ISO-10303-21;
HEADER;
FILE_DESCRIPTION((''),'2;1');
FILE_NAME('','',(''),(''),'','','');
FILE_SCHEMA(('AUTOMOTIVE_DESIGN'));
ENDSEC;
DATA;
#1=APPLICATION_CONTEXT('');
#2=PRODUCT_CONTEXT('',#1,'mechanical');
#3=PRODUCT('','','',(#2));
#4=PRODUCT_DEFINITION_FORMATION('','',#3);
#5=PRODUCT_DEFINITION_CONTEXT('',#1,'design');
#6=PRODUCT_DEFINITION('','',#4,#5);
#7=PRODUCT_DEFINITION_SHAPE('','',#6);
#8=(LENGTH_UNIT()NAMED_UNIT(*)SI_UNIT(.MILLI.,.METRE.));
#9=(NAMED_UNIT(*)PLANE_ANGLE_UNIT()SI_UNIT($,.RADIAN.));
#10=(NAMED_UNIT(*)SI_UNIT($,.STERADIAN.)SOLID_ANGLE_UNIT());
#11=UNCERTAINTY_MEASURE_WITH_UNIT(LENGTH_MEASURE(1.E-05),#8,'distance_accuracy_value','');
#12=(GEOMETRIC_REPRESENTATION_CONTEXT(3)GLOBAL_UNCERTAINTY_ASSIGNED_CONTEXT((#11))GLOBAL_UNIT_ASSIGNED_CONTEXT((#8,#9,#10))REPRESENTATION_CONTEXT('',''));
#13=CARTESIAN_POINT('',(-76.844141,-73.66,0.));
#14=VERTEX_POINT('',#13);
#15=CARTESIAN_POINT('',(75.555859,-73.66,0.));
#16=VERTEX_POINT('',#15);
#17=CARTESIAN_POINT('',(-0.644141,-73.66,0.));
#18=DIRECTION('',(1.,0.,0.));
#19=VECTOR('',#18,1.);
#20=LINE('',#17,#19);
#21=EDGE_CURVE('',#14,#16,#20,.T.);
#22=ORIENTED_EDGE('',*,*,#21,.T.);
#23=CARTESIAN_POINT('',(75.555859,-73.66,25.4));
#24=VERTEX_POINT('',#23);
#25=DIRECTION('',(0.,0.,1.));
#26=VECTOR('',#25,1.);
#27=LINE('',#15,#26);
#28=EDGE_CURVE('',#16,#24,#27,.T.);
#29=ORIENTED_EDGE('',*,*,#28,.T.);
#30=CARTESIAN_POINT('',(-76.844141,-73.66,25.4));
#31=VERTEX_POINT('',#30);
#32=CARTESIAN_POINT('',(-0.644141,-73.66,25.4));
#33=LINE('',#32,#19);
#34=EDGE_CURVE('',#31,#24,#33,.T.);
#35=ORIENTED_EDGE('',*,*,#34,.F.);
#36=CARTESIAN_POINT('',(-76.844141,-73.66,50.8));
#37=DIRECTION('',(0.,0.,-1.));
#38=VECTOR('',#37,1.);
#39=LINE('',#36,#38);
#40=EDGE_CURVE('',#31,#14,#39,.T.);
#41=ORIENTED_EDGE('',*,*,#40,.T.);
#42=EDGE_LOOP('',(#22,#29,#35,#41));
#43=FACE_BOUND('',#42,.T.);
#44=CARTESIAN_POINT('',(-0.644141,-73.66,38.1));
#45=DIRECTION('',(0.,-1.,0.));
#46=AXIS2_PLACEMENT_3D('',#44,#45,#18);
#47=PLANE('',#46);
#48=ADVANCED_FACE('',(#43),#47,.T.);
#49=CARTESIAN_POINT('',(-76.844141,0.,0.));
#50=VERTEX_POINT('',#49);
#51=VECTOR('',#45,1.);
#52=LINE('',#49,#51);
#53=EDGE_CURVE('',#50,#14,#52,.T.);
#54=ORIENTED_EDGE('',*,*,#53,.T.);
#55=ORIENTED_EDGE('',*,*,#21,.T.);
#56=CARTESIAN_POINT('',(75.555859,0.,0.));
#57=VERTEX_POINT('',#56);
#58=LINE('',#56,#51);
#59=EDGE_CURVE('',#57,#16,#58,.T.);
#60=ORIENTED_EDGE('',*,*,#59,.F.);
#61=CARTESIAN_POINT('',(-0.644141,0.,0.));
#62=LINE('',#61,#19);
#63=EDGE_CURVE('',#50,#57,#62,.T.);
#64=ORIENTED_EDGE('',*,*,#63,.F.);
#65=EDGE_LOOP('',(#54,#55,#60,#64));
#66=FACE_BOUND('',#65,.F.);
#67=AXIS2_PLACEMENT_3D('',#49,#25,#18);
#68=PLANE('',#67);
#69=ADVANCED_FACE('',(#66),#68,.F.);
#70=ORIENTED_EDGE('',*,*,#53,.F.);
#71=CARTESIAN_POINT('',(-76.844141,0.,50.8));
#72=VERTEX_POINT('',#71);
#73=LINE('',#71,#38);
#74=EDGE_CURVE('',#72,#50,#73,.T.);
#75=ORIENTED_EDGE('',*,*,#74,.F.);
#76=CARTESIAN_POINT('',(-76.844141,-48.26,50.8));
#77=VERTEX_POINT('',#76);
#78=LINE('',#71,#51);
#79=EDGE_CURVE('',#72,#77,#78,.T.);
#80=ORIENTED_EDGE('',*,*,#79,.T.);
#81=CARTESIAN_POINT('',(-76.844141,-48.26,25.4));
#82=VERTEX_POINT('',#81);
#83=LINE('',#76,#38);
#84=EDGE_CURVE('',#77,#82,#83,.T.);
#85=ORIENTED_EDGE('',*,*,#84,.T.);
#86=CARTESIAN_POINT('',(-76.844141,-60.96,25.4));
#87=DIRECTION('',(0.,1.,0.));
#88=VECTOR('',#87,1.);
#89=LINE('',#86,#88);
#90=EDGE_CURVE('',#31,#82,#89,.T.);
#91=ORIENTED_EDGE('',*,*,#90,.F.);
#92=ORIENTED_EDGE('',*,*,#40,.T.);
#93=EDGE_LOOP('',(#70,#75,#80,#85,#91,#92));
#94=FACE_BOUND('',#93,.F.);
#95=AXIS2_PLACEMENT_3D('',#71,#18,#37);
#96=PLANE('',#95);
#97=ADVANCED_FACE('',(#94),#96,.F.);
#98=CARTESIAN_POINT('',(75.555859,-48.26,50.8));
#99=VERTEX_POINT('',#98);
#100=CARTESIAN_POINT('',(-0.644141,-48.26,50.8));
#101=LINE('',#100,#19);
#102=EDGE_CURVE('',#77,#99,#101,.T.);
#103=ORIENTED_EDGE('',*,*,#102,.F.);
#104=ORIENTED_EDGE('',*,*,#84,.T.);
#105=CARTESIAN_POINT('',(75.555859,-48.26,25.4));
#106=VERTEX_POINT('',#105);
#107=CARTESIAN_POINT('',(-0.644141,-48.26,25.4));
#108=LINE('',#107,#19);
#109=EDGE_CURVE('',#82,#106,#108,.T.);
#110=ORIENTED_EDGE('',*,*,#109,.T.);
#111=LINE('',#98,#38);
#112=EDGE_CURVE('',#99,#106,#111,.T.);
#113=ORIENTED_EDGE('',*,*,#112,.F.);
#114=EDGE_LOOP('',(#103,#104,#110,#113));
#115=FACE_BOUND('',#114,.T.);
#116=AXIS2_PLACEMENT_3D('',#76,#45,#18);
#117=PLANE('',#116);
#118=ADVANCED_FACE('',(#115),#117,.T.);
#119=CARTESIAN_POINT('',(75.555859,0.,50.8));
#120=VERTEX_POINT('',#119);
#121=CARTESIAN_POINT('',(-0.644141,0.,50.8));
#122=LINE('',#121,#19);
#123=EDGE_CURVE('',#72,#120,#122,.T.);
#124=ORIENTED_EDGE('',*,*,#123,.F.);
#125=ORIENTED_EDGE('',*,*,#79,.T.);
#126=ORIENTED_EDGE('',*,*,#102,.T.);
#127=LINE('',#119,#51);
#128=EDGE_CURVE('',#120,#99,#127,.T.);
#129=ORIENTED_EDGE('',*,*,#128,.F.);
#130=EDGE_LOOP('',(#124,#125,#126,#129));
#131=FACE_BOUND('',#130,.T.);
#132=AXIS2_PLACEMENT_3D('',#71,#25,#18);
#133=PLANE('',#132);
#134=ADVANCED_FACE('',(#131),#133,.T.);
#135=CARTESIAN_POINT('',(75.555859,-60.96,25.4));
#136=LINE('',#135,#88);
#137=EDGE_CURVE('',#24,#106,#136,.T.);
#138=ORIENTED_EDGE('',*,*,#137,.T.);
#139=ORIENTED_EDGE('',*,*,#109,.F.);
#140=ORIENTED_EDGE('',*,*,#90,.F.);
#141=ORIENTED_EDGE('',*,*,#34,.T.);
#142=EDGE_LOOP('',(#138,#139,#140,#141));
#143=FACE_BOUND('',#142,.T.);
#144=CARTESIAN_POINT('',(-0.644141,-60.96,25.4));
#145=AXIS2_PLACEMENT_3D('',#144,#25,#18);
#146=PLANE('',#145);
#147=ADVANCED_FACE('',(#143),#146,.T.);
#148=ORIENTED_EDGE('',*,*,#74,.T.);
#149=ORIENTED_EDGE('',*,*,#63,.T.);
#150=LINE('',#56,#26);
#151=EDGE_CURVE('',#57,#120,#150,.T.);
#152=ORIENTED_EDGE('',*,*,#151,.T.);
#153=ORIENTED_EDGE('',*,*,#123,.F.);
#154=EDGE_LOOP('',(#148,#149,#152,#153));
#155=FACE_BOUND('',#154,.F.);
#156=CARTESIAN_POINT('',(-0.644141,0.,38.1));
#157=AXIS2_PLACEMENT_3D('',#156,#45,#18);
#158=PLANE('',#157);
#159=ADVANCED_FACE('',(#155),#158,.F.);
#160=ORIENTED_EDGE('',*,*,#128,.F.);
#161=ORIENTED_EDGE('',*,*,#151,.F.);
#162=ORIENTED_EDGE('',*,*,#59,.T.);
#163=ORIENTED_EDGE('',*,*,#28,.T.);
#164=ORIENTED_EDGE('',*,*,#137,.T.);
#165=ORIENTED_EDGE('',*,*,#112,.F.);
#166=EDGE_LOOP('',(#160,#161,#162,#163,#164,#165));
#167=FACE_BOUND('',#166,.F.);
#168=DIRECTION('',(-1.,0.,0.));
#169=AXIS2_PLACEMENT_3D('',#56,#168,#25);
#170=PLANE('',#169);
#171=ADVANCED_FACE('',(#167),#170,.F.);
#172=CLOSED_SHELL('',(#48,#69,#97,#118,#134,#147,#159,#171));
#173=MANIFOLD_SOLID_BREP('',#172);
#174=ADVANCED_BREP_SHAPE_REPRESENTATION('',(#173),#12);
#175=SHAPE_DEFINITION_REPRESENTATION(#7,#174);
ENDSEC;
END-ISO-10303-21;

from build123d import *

# Parameters (mm, degrees)
F0_W     = 152.4
F0_H     = 25.4
F1_DEPTH = 73.66
F2_W     = 152.4
F2_H     = 25.4
F3_DEPTH = 25.4


with BuildPart() as f1:
    # F0 (on Front) → F1 (new body)
    with BuildSketch(Plane.XZ):
        with Locations((-0.644141, 38.1)):
            Rectangle(F0_W, F0_H)
        with Locations((-0.644141, 12.7)):
            Rectangle(F0_W, F0_H)
    extrude(amount=F1_DEPTH)

    # F2 (on face) → F3 (cut)
    with BuildSketch(Plane.XY.offset(50.8)):
        with Locations((-0.644141, -60.96)):
            Rectangle(F2_W, F2_H)
    extrude(amount=-F3_DEPTH, mode=Mode.SUBTRACT)


solid = f1.part
